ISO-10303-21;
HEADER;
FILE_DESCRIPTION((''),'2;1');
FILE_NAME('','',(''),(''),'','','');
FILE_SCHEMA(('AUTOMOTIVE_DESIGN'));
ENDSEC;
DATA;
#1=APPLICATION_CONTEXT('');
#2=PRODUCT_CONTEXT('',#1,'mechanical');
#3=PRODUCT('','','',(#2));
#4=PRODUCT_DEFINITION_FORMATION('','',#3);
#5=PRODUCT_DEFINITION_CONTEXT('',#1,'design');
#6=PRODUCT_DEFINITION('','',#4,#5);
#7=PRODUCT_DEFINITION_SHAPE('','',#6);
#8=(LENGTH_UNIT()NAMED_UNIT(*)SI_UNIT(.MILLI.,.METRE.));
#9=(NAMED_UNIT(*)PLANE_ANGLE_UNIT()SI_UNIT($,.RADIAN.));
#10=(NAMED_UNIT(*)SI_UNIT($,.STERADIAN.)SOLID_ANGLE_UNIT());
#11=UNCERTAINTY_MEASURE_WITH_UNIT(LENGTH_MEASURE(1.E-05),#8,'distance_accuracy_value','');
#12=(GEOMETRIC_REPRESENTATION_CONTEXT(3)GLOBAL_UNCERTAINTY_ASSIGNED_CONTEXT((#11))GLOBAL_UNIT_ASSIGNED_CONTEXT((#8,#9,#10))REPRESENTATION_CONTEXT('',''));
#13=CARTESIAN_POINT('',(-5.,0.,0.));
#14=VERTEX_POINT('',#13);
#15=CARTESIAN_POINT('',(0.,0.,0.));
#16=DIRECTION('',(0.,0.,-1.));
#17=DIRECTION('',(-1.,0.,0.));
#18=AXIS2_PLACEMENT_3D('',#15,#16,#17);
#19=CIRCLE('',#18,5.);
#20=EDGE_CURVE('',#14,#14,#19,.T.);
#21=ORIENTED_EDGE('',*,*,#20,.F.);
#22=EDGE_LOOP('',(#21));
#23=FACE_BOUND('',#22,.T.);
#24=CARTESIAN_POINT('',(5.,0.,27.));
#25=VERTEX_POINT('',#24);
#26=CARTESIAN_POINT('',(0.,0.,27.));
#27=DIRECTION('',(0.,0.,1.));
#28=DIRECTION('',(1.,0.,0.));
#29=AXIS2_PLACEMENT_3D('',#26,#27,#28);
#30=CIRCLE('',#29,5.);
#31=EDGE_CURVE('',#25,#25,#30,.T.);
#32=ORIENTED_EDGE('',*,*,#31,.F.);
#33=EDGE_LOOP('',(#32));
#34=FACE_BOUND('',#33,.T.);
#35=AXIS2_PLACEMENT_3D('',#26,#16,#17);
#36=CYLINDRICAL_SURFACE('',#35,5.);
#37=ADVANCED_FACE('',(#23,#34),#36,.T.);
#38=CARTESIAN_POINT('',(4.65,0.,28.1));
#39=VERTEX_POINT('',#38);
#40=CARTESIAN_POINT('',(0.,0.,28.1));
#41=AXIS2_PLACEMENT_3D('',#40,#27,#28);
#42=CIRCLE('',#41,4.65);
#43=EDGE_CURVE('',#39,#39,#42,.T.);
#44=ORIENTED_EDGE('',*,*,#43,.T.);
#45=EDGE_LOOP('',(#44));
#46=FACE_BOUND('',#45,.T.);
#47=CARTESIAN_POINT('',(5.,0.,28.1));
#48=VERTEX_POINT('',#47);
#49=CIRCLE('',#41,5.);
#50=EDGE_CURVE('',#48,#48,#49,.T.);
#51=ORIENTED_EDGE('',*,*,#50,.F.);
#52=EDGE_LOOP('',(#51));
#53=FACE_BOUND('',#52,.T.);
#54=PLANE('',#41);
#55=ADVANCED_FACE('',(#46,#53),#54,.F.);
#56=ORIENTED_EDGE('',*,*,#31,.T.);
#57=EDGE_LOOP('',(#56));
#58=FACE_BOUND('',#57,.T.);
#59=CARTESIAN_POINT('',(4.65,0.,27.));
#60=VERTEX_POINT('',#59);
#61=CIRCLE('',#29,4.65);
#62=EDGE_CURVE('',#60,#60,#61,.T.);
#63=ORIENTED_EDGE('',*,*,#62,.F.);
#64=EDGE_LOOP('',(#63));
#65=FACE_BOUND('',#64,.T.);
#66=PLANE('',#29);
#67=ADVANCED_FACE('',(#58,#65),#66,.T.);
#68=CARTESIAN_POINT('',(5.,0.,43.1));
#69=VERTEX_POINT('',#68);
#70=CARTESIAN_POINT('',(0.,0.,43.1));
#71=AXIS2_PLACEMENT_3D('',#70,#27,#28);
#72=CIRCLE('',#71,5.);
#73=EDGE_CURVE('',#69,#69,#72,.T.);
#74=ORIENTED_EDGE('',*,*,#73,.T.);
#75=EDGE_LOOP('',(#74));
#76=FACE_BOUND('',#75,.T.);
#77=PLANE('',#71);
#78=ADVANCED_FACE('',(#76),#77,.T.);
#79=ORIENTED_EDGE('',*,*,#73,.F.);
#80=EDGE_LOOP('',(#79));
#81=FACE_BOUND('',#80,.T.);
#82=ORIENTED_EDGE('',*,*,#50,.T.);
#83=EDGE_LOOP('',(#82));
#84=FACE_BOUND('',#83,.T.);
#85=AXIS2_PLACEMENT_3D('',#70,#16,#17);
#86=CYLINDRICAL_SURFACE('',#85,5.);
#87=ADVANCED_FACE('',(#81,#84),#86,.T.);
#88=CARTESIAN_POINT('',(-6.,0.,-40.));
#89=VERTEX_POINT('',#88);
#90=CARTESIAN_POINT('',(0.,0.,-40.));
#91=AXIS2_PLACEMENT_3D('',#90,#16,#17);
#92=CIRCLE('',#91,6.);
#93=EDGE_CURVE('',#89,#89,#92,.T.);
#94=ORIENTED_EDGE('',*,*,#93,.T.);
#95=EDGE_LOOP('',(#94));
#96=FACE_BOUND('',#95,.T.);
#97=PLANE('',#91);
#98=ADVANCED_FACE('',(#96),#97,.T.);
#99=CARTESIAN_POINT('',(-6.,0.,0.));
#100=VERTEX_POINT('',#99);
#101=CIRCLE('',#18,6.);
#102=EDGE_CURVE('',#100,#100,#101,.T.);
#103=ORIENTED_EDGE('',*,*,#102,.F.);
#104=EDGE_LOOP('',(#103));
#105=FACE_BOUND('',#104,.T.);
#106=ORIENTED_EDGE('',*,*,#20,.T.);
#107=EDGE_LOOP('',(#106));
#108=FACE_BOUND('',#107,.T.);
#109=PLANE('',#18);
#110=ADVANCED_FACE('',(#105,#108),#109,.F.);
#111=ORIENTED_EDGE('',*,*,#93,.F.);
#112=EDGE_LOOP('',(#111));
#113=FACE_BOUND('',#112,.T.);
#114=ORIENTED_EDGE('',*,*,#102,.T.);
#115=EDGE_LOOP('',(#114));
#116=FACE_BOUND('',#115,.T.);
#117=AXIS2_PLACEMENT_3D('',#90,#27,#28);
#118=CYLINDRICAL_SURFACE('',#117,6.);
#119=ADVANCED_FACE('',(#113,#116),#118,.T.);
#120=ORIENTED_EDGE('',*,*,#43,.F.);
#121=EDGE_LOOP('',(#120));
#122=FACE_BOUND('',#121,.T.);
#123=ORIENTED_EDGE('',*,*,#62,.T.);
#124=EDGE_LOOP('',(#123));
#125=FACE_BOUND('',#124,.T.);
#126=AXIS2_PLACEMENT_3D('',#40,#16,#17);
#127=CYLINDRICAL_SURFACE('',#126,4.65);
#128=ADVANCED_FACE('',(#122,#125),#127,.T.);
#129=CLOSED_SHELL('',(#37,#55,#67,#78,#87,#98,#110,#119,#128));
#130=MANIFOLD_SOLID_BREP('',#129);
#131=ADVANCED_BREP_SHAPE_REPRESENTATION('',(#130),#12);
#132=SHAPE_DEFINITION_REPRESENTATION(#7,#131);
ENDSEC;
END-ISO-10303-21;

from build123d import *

# Parameters (mm, degrees)
SKETCH_1_R      = 5
EXTRUDE_1_DEPTH = 27
SKETCH_2_R      = 6
EXTRUDE_2_DEPTH = 40
SKETCH_3_R      = 4.65
EXTRUDE_3_DEPTH = 1.1
SKETCH_4_R      = 5
EXTRUDE_4_DEPTH = 15


with BuildPart() as part:
    # 草图1 → 凸台-拉伸1 (new body)
    with BuildSketch(Plane.XY):
        Circle(SKETCH_1_R)
    extrude(amount=EXTRUDE_1_DEPTH)

    # 草图2 → 凸台-拉伸2 (add)
    with BuildSketch(Plane(origin=(0, 0, 0), x_dir=(-1, 0, 0), z_dir=(0, 0, -1))):
        Circle(SKETCH_2_R)
    extrude(amount=EXTRUDE_2_DEPTH)

    # 草图3 → 凸台-拉伸3 (add)
    with BuildSketch(Plane.XY.offset(27)):
        Circle(SKETCH_3_R)
    extrude(amount=EXTRUDE_3_DEPTH)

    # 草图4 → 凸台-拉伸4 (add)
    with BuildSketch(Plane.XY.offset(28.1)):
        with Locations(Location((0, 0, 0), (0, 0, 180))):
            Circle(SKETCH_4_R)
    extrude(amount=EXTRUDE_4_DEPTH)


solid = part.part
